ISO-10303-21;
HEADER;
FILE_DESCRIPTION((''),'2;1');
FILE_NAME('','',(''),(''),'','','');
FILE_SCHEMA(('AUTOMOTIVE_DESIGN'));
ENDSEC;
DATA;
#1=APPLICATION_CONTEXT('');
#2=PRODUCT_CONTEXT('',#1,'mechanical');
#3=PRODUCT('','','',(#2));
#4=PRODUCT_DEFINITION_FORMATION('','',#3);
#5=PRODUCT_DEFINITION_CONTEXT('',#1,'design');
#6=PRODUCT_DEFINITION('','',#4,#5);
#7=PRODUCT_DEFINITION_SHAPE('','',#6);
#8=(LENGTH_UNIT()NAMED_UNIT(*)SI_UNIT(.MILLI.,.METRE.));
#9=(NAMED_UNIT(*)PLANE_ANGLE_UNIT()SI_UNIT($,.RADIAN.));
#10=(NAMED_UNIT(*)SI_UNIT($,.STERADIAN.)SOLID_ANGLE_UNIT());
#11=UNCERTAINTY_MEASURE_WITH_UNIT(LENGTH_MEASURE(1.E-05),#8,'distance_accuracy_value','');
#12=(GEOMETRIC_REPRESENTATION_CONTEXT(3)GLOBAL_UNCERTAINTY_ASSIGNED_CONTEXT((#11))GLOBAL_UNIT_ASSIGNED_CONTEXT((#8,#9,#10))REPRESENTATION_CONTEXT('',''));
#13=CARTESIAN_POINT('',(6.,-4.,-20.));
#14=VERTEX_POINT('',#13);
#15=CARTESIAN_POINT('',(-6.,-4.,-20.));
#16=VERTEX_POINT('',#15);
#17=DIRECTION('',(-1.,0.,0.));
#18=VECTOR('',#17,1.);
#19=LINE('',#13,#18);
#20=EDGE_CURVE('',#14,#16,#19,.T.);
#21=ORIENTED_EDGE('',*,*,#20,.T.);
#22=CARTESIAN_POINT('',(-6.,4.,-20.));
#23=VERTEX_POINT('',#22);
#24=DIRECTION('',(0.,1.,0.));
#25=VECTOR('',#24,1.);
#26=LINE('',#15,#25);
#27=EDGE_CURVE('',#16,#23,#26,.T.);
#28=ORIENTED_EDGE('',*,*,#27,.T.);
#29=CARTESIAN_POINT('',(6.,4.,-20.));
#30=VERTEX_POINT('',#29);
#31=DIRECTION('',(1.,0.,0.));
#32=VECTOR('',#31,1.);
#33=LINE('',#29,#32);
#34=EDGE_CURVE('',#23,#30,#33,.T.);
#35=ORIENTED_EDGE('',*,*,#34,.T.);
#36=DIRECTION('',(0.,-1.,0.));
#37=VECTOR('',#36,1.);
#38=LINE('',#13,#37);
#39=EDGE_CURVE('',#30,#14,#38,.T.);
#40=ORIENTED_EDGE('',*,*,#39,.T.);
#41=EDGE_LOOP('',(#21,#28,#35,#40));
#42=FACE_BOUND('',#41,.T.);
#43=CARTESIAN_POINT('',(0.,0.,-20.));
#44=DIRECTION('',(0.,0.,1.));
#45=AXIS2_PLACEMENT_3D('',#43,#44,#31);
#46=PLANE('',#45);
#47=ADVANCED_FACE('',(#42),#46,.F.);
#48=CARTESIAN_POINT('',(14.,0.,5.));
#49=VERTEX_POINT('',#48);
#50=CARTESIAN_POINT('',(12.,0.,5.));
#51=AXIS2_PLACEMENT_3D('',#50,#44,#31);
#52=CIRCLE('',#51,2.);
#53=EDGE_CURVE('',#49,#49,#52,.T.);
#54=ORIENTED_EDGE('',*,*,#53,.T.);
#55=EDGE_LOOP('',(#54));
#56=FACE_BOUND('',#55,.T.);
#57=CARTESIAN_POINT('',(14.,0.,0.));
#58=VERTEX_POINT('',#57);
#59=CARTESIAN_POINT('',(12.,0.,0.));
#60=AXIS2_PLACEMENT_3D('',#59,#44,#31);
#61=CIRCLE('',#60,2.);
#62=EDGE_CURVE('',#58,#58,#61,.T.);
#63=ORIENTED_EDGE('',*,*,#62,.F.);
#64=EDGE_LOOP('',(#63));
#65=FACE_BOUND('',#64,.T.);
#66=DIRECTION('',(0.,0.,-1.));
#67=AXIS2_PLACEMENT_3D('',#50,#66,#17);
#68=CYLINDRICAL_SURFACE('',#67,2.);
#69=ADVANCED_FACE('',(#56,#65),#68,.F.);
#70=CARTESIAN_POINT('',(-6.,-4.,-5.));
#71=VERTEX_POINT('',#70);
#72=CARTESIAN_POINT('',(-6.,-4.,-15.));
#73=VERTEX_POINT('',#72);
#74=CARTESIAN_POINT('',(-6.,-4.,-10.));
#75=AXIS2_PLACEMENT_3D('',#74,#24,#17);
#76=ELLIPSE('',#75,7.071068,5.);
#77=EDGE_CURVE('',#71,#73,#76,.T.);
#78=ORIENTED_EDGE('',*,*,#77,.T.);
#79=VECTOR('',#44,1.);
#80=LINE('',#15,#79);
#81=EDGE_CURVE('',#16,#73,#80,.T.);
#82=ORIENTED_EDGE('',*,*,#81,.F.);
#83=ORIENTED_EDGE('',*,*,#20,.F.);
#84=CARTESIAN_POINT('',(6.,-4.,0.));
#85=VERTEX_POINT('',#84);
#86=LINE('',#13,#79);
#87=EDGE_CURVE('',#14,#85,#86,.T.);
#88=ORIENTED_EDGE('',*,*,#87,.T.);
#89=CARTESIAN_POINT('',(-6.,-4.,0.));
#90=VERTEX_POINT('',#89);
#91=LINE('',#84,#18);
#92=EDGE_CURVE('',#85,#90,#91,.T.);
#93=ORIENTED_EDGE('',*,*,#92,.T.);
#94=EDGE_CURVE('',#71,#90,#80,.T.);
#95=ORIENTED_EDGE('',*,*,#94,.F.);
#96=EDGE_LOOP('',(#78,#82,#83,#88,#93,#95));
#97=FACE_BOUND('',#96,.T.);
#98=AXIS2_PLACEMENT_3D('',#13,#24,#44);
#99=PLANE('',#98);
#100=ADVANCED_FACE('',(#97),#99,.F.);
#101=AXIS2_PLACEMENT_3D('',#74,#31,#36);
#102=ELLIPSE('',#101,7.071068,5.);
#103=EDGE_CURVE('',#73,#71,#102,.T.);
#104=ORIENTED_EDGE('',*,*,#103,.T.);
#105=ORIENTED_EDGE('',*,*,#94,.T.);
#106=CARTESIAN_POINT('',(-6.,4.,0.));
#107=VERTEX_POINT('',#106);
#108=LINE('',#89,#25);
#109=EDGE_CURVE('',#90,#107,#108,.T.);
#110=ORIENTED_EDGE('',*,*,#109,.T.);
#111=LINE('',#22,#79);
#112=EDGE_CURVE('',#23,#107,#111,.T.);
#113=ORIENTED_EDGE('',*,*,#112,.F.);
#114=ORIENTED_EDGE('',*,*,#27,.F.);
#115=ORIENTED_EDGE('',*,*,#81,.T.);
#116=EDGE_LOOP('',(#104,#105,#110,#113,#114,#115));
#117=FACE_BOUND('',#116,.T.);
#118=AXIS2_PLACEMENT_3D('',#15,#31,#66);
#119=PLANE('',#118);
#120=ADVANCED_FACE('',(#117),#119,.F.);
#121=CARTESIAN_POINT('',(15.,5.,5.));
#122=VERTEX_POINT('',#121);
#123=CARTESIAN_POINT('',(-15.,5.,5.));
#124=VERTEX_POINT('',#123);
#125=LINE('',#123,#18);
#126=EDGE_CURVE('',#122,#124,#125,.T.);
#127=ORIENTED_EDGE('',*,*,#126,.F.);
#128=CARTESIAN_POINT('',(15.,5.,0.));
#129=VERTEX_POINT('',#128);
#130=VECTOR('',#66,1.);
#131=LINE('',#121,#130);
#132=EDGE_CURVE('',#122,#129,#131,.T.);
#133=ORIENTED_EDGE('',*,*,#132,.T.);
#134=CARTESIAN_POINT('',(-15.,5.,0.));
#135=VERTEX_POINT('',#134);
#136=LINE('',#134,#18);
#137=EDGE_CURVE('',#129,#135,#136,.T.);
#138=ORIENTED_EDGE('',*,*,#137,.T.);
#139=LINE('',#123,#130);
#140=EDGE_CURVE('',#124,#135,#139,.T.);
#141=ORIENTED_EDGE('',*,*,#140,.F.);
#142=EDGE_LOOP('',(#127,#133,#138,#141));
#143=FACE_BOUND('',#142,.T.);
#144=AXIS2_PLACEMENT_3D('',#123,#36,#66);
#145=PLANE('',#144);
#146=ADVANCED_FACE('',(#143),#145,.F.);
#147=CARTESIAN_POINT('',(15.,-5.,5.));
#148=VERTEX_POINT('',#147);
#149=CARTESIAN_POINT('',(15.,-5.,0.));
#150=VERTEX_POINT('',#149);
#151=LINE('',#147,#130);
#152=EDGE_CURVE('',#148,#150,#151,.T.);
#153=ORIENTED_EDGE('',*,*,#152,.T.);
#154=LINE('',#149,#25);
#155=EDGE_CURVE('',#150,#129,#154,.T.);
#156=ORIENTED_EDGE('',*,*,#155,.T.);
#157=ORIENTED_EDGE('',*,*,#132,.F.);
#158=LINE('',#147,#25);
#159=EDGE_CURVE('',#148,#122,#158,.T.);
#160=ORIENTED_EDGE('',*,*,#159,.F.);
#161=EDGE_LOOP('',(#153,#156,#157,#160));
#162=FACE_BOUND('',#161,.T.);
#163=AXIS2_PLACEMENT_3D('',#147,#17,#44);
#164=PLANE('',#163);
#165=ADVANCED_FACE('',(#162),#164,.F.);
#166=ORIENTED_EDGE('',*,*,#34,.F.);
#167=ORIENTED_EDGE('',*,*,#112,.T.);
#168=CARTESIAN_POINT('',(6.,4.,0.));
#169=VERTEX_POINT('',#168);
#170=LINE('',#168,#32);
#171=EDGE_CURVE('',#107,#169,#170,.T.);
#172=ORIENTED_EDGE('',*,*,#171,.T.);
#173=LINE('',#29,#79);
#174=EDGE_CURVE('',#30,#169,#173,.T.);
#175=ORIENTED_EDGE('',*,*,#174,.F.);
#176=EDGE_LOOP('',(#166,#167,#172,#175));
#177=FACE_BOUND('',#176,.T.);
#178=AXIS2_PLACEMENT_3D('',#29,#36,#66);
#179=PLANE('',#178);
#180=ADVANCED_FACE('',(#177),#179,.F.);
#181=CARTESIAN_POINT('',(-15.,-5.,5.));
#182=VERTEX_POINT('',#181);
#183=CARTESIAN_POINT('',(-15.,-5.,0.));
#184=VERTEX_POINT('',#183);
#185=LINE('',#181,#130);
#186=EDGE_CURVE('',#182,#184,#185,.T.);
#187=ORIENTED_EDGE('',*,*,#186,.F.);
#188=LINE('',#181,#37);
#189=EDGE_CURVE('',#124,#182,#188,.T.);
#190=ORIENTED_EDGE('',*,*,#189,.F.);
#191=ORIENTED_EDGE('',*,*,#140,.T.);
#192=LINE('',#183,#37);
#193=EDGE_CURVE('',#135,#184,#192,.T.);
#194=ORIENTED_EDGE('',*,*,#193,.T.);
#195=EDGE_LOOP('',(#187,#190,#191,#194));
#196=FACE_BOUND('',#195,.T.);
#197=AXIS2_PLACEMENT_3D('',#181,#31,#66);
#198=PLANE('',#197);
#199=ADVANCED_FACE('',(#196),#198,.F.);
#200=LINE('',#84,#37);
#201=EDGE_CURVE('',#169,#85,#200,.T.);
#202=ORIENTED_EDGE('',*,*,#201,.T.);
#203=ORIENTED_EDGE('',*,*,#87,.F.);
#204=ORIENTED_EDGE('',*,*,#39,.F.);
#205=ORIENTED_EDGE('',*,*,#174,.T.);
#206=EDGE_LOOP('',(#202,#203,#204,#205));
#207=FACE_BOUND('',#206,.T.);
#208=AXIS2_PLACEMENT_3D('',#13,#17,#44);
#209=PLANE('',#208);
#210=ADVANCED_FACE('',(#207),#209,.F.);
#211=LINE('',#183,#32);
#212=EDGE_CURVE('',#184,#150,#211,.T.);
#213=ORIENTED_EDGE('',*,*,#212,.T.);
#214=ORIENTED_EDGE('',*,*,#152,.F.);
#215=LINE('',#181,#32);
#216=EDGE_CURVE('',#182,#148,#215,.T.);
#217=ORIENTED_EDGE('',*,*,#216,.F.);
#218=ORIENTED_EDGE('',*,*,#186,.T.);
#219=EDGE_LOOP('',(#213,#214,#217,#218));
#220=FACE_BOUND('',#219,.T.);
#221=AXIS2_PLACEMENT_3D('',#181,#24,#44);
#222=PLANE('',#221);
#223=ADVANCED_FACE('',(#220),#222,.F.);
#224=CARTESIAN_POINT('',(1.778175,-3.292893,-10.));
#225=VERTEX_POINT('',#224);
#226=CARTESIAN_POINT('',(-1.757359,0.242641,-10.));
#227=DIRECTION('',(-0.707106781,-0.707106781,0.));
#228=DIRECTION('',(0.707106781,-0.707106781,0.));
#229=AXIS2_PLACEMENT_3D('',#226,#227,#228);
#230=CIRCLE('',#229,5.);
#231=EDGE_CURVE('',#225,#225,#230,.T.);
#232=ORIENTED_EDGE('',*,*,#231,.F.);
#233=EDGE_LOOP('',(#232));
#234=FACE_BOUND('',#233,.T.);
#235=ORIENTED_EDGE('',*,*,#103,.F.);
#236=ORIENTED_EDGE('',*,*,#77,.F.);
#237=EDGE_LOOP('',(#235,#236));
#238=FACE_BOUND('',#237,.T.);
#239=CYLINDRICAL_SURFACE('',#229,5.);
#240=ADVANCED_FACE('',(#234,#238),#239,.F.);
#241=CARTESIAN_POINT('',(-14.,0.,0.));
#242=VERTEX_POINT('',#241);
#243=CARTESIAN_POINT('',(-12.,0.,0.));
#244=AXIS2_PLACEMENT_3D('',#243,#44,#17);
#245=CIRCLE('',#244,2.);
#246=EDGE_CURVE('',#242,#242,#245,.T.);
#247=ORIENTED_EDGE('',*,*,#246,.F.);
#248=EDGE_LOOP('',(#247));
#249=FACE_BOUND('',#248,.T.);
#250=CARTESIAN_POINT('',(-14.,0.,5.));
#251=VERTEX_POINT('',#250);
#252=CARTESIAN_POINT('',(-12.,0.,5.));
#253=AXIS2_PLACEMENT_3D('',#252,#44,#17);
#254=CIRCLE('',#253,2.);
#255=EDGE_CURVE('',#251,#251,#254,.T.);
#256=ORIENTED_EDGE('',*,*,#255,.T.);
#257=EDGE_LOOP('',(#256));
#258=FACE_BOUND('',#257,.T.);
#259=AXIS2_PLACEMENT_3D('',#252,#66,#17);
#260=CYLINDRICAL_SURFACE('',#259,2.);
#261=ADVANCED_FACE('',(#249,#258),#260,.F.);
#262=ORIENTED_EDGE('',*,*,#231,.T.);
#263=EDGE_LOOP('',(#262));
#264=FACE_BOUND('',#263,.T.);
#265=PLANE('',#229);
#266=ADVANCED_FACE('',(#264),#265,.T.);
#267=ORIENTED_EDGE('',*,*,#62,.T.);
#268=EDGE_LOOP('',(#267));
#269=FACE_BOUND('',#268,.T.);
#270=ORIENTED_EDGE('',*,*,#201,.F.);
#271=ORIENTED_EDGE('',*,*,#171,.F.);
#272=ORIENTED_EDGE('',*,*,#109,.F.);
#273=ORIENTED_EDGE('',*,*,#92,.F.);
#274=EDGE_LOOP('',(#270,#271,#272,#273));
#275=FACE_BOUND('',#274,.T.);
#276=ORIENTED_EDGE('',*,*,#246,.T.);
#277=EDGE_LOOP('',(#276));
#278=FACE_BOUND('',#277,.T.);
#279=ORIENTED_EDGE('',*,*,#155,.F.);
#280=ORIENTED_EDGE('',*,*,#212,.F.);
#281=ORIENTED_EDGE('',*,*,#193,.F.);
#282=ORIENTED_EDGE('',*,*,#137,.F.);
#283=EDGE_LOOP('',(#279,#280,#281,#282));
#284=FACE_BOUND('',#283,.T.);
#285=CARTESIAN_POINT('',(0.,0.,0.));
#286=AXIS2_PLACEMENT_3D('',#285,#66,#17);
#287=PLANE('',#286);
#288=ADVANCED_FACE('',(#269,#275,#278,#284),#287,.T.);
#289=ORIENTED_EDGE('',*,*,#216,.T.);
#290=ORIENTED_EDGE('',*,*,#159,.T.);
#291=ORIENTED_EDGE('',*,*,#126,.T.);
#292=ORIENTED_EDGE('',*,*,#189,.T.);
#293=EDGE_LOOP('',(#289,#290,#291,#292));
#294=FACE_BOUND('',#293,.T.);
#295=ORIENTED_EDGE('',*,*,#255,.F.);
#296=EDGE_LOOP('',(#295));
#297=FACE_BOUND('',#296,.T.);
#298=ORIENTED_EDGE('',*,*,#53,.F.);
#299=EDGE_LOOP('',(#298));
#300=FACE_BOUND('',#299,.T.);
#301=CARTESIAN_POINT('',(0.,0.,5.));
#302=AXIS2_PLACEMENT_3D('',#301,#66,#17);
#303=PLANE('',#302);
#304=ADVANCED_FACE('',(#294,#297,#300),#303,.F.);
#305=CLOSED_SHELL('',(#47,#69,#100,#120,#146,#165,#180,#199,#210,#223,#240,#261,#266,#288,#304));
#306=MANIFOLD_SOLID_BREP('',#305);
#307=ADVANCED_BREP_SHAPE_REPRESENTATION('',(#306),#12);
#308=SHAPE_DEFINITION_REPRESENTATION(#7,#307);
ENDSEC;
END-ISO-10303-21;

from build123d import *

# Parameters (mm, degrees)
SKETCH1_W           = 30
SKETCH1_H           = 10
SKETCH1_R           = 2
BOSS_EXTRUDE1_DEPTH = 5
SKETCH2_W           = 12
SKETCH2_H           = 8
BOSS_EXTRUDE2_DEPTH = 20
SKETCH3_R           = 5
CUT_EXTRUDE1_DEPTH  = 6


with BuildPart() as part:
    # Sketch1 → Boss-Extrude1 (new body)
    with BuildSketch(Plane.XY):
        Rectangle(SKETCH1_W, SKETCH1_H)
        with Locations((12, 0)):
            Circle(SKETCH1_R, mode=Mode.SUBTRACT)
        with Locations(Location((-12, 0, 0), (0, 0, 180))):
            Circle(SKETCH1_R, mode=Mode.SUBTRACT)
    extrude(amount=BOSS_EXTRUDE1_DEPTH)

    # Sketch2 → Boss-Extrude2 (add)
    with BuildSketch(Plane(origin=(0, 0, 0), x_dir=(-1, 0, 0), z_dir=(0, 0, -1))):
        Rectangle(SKETCH2_W, SKETCH2_H)
    extrude(amount=BOSS_EXTRUDE2_DEPTH)

    # Sketch3 → Cut-Extrude1 (cut)
    with BuildSketch(Plane(origin=(-5, -5, 0), x_dir=(-0.7071067811865477, 0.7071067811865475, 0), z_dir=(-0.7071067811865475, -0.7071067811865477, 0))):
        with Locations(Location((1.414213562, 10, 0), (0, 0, 180))):
            Circle(SKETCH3_R)
    extrude(amount=-CUT_EXTRUDE1_DEPTH, mode=Mode.SUBTRACT)


solid = part.part
